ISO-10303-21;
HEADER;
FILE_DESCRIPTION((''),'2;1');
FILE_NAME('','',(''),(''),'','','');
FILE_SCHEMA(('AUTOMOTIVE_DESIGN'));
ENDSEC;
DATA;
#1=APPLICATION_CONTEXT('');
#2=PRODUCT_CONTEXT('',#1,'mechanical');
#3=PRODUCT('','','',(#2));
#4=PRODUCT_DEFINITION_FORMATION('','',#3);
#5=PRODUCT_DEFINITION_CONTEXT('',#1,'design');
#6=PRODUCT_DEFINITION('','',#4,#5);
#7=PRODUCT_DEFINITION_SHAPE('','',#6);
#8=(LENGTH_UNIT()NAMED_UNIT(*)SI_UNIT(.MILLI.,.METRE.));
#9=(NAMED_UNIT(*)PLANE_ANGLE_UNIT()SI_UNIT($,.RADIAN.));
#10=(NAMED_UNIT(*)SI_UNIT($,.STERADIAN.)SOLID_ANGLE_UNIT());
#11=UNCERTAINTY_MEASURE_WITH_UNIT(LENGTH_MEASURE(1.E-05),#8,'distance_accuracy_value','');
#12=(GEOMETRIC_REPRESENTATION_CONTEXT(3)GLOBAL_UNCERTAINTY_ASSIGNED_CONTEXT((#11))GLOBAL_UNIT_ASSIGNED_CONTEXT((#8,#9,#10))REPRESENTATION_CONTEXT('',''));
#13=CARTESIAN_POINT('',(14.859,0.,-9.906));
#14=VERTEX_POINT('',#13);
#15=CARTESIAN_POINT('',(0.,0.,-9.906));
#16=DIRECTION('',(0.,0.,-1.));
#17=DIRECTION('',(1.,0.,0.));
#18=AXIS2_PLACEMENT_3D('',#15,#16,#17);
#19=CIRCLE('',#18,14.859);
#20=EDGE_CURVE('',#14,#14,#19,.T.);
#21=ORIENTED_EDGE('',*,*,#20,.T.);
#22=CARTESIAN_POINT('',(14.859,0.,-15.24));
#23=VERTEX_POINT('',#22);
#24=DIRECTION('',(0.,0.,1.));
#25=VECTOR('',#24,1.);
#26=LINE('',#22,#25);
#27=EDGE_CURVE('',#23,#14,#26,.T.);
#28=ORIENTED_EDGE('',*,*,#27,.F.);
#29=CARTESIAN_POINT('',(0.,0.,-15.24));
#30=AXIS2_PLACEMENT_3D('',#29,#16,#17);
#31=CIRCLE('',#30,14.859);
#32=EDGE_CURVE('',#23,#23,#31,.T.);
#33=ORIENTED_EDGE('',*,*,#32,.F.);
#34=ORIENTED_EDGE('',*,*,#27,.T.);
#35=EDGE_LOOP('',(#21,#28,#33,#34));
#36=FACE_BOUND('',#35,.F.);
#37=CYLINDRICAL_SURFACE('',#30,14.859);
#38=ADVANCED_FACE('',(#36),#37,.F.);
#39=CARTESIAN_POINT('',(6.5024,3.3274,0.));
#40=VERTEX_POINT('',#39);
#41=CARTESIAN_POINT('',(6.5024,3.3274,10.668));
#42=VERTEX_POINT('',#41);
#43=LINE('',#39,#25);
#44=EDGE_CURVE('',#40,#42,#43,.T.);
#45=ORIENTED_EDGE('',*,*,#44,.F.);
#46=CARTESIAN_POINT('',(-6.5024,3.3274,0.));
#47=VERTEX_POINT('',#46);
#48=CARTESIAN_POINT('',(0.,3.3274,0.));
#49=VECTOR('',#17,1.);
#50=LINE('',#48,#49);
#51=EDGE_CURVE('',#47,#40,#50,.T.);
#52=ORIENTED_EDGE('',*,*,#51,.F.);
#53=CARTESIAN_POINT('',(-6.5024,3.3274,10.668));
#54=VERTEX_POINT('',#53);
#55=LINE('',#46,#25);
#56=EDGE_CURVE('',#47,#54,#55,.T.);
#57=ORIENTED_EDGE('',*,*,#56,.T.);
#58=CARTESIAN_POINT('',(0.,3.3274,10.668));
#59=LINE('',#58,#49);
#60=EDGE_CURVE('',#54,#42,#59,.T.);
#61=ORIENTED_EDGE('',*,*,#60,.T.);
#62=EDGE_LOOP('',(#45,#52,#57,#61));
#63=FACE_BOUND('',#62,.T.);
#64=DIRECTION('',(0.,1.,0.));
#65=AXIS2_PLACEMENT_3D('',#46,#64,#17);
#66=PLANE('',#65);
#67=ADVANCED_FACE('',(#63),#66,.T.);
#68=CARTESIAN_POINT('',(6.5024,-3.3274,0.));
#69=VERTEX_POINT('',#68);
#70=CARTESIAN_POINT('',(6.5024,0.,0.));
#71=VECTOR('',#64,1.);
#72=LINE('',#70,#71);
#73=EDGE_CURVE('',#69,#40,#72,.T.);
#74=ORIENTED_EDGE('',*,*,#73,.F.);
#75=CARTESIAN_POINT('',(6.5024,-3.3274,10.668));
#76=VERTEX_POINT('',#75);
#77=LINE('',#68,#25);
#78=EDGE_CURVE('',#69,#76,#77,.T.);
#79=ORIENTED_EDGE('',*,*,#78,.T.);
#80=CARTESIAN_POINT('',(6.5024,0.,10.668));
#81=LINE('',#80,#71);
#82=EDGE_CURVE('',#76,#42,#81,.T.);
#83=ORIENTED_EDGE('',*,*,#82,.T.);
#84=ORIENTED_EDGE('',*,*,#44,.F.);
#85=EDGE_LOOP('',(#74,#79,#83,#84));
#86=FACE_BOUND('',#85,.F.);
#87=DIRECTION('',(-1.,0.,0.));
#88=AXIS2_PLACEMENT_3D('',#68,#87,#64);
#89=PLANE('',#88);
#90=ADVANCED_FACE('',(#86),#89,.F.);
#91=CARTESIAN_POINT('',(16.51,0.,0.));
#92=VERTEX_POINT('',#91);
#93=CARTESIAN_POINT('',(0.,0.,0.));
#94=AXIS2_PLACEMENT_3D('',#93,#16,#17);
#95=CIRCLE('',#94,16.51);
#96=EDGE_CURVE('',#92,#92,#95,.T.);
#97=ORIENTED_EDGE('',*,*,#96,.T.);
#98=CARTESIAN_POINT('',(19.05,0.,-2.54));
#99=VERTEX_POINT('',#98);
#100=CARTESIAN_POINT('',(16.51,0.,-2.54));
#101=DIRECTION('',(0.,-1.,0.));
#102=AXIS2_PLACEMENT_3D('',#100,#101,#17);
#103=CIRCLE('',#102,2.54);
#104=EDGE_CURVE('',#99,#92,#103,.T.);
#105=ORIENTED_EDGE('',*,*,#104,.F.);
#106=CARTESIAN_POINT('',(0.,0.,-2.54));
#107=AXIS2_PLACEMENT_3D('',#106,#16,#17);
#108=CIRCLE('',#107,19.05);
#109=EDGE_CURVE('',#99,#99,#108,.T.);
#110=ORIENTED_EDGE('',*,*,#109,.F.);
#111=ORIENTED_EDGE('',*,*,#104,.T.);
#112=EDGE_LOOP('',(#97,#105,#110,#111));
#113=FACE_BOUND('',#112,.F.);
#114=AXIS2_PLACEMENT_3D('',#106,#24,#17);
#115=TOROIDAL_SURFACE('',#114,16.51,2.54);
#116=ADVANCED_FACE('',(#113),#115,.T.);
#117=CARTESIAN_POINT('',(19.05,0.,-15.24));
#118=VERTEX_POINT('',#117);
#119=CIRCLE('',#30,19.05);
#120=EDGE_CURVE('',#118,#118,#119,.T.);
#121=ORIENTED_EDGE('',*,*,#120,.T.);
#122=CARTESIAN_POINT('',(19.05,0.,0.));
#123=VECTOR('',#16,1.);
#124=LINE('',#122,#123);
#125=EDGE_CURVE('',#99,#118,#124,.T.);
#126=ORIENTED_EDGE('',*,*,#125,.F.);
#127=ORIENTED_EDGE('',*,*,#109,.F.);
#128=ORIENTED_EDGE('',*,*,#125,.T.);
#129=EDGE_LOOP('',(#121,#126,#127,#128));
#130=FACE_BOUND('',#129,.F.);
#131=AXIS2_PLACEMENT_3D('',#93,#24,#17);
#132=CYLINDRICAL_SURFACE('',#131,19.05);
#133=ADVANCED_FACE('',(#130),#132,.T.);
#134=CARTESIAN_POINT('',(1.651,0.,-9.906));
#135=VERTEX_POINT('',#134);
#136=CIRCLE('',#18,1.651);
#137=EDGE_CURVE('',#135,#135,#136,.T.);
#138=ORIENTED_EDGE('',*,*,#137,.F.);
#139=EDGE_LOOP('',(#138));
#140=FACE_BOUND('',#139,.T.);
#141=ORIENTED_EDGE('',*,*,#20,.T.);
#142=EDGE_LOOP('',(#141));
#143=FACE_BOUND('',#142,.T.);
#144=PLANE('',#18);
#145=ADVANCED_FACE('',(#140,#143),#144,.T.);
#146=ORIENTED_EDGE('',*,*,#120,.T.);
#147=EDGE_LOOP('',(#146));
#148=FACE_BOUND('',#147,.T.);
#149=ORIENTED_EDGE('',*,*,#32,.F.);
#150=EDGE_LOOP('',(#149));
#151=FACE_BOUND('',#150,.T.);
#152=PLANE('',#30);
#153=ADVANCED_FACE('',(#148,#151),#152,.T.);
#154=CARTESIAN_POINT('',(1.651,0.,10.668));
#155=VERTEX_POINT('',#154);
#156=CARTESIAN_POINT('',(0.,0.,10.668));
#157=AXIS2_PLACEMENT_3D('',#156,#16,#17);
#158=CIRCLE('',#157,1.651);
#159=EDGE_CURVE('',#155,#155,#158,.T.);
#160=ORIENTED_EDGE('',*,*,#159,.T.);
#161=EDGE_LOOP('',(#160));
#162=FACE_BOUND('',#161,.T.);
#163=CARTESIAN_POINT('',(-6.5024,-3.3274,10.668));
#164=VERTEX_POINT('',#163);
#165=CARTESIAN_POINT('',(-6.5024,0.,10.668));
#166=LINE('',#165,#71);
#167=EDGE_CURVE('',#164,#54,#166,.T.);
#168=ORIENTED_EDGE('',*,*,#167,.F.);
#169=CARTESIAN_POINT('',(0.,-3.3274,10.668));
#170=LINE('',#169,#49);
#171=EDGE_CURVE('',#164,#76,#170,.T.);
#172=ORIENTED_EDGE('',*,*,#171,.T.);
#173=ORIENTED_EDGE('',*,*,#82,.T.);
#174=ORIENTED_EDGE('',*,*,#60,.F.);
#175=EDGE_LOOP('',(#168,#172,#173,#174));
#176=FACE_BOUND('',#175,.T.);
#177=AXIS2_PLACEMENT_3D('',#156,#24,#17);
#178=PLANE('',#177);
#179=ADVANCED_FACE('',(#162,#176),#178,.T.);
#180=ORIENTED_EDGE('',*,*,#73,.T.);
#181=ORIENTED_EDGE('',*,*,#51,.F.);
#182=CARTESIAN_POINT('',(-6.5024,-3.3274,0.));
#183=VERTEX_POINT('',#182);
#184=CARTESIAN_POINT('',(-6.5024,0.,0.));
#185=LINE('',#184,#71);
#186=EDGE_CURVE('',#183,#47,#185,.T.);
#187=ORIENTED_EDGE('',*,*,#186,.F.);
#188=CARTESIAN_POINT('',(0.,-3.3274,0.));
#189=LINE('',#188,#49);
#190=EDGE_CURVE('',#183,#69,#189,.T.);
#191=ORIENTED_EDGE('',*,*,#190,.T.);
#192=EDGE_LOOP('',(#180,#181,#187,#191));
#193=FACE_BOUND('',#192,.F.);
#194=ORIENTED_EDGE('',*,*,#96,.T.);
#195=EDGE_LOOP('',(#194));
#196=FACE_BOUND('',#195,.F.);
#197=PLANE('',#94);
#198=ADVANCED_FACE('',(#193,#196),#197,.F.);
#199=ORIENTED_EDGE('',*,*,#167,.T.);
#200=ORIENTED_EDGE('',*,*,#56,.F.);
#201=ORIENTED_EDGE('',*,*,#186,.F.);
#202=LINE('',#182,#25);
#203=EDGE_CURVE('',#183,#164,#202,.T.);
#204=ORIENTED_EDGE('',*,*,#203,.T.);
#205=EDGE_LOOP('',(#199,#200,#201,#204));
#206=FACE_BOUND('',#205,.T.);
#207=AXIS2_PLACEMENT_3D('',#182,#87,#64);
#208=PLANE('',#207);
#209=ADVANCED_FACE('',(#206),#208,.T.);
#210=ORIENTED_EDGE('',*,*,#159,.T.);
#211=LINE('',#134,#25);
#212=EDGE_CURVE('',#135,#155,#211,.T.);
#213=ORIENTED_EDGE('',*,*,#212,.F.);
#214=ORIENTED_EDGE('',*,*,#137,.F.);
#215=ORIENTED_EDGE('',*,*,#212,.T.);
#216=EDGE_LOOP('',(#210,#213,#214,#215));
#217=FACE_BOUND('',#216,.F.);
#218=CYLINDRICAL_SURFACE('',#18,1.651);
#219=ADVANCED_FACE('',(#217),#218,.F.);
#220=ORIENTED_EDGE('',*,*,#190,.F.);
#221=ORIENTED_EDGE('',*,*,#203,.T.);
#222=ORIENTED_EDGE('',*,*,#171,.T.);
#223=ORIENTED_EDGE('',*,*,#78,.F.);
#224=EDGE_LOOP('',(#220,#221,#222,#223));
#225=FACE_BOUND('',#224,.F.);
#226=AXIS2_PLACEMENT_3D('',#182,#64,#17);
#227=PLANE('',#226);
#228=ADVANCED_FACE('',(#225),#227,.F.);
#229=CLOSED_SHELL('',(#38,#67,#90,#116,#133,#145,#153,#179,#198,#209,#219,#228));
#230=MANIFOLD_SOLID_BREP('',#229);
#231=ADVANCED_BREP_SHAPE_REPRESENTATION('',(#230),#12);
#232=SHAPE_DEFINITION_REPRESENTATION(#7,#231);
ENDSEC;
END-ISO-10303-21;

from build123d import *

# Parameters (mm, degrees)
F0_W     = 13.0048
F0_H     = 6.6548
F1_DEPTH = 10.668
F2_R     = 19.05
F3_DEPTH = 15.24
F4_R     = 2.54
F5_R     = 14.859
F6_DEPTH = 5.334
F7_R     = 1.651
F8_DEPTH = 21.59


with BuildPart() as f1:
    # F0 (on Top) → F1 (new body)
    with BuildSketch(Plane.XY):
        Rectangle(F0_W, F0_H)
    extrude(amount=F1_DEPTH)

    # F2 (on face) → F3 (join)
    with BuildSketch(Plane(origin=(0, 0, 0), x_dir=(1, 0, 0), z_dir=(0, 0, -1))):
        Circle(F2_R)
    extrude(amount=F3_DEPTH)

    # F4
    f4_edges = [f1.edges().sort_by_distance(p)[0] for p in [
        (-19.05, 0, 0),
    ]]
    fillet(f4_edges, radius=F4_R)

    # F5 (on face) → F6 (cut)
    with BuildSketch(Plane(origin=(0, 0, -15.24), x_dir=(1, 0, 0), z_dir=(0, 0, -1))):
        Circle(F5_R)
    extrude(amount=-F6_DEPTH, mode=Mode.SUBTRACT)

    # F7 (on face) → F8 (cut)
    with BuildSketch(Plane(origin=(0, 0, -9.906), x_dir=(1, 0, 0), z_dir=(0, 0, -1))):
        Circle(F7_R)
    extrude(amount=-F8_DEPTH, mode=Mode.SUBTRACT)


solid = f1.part
